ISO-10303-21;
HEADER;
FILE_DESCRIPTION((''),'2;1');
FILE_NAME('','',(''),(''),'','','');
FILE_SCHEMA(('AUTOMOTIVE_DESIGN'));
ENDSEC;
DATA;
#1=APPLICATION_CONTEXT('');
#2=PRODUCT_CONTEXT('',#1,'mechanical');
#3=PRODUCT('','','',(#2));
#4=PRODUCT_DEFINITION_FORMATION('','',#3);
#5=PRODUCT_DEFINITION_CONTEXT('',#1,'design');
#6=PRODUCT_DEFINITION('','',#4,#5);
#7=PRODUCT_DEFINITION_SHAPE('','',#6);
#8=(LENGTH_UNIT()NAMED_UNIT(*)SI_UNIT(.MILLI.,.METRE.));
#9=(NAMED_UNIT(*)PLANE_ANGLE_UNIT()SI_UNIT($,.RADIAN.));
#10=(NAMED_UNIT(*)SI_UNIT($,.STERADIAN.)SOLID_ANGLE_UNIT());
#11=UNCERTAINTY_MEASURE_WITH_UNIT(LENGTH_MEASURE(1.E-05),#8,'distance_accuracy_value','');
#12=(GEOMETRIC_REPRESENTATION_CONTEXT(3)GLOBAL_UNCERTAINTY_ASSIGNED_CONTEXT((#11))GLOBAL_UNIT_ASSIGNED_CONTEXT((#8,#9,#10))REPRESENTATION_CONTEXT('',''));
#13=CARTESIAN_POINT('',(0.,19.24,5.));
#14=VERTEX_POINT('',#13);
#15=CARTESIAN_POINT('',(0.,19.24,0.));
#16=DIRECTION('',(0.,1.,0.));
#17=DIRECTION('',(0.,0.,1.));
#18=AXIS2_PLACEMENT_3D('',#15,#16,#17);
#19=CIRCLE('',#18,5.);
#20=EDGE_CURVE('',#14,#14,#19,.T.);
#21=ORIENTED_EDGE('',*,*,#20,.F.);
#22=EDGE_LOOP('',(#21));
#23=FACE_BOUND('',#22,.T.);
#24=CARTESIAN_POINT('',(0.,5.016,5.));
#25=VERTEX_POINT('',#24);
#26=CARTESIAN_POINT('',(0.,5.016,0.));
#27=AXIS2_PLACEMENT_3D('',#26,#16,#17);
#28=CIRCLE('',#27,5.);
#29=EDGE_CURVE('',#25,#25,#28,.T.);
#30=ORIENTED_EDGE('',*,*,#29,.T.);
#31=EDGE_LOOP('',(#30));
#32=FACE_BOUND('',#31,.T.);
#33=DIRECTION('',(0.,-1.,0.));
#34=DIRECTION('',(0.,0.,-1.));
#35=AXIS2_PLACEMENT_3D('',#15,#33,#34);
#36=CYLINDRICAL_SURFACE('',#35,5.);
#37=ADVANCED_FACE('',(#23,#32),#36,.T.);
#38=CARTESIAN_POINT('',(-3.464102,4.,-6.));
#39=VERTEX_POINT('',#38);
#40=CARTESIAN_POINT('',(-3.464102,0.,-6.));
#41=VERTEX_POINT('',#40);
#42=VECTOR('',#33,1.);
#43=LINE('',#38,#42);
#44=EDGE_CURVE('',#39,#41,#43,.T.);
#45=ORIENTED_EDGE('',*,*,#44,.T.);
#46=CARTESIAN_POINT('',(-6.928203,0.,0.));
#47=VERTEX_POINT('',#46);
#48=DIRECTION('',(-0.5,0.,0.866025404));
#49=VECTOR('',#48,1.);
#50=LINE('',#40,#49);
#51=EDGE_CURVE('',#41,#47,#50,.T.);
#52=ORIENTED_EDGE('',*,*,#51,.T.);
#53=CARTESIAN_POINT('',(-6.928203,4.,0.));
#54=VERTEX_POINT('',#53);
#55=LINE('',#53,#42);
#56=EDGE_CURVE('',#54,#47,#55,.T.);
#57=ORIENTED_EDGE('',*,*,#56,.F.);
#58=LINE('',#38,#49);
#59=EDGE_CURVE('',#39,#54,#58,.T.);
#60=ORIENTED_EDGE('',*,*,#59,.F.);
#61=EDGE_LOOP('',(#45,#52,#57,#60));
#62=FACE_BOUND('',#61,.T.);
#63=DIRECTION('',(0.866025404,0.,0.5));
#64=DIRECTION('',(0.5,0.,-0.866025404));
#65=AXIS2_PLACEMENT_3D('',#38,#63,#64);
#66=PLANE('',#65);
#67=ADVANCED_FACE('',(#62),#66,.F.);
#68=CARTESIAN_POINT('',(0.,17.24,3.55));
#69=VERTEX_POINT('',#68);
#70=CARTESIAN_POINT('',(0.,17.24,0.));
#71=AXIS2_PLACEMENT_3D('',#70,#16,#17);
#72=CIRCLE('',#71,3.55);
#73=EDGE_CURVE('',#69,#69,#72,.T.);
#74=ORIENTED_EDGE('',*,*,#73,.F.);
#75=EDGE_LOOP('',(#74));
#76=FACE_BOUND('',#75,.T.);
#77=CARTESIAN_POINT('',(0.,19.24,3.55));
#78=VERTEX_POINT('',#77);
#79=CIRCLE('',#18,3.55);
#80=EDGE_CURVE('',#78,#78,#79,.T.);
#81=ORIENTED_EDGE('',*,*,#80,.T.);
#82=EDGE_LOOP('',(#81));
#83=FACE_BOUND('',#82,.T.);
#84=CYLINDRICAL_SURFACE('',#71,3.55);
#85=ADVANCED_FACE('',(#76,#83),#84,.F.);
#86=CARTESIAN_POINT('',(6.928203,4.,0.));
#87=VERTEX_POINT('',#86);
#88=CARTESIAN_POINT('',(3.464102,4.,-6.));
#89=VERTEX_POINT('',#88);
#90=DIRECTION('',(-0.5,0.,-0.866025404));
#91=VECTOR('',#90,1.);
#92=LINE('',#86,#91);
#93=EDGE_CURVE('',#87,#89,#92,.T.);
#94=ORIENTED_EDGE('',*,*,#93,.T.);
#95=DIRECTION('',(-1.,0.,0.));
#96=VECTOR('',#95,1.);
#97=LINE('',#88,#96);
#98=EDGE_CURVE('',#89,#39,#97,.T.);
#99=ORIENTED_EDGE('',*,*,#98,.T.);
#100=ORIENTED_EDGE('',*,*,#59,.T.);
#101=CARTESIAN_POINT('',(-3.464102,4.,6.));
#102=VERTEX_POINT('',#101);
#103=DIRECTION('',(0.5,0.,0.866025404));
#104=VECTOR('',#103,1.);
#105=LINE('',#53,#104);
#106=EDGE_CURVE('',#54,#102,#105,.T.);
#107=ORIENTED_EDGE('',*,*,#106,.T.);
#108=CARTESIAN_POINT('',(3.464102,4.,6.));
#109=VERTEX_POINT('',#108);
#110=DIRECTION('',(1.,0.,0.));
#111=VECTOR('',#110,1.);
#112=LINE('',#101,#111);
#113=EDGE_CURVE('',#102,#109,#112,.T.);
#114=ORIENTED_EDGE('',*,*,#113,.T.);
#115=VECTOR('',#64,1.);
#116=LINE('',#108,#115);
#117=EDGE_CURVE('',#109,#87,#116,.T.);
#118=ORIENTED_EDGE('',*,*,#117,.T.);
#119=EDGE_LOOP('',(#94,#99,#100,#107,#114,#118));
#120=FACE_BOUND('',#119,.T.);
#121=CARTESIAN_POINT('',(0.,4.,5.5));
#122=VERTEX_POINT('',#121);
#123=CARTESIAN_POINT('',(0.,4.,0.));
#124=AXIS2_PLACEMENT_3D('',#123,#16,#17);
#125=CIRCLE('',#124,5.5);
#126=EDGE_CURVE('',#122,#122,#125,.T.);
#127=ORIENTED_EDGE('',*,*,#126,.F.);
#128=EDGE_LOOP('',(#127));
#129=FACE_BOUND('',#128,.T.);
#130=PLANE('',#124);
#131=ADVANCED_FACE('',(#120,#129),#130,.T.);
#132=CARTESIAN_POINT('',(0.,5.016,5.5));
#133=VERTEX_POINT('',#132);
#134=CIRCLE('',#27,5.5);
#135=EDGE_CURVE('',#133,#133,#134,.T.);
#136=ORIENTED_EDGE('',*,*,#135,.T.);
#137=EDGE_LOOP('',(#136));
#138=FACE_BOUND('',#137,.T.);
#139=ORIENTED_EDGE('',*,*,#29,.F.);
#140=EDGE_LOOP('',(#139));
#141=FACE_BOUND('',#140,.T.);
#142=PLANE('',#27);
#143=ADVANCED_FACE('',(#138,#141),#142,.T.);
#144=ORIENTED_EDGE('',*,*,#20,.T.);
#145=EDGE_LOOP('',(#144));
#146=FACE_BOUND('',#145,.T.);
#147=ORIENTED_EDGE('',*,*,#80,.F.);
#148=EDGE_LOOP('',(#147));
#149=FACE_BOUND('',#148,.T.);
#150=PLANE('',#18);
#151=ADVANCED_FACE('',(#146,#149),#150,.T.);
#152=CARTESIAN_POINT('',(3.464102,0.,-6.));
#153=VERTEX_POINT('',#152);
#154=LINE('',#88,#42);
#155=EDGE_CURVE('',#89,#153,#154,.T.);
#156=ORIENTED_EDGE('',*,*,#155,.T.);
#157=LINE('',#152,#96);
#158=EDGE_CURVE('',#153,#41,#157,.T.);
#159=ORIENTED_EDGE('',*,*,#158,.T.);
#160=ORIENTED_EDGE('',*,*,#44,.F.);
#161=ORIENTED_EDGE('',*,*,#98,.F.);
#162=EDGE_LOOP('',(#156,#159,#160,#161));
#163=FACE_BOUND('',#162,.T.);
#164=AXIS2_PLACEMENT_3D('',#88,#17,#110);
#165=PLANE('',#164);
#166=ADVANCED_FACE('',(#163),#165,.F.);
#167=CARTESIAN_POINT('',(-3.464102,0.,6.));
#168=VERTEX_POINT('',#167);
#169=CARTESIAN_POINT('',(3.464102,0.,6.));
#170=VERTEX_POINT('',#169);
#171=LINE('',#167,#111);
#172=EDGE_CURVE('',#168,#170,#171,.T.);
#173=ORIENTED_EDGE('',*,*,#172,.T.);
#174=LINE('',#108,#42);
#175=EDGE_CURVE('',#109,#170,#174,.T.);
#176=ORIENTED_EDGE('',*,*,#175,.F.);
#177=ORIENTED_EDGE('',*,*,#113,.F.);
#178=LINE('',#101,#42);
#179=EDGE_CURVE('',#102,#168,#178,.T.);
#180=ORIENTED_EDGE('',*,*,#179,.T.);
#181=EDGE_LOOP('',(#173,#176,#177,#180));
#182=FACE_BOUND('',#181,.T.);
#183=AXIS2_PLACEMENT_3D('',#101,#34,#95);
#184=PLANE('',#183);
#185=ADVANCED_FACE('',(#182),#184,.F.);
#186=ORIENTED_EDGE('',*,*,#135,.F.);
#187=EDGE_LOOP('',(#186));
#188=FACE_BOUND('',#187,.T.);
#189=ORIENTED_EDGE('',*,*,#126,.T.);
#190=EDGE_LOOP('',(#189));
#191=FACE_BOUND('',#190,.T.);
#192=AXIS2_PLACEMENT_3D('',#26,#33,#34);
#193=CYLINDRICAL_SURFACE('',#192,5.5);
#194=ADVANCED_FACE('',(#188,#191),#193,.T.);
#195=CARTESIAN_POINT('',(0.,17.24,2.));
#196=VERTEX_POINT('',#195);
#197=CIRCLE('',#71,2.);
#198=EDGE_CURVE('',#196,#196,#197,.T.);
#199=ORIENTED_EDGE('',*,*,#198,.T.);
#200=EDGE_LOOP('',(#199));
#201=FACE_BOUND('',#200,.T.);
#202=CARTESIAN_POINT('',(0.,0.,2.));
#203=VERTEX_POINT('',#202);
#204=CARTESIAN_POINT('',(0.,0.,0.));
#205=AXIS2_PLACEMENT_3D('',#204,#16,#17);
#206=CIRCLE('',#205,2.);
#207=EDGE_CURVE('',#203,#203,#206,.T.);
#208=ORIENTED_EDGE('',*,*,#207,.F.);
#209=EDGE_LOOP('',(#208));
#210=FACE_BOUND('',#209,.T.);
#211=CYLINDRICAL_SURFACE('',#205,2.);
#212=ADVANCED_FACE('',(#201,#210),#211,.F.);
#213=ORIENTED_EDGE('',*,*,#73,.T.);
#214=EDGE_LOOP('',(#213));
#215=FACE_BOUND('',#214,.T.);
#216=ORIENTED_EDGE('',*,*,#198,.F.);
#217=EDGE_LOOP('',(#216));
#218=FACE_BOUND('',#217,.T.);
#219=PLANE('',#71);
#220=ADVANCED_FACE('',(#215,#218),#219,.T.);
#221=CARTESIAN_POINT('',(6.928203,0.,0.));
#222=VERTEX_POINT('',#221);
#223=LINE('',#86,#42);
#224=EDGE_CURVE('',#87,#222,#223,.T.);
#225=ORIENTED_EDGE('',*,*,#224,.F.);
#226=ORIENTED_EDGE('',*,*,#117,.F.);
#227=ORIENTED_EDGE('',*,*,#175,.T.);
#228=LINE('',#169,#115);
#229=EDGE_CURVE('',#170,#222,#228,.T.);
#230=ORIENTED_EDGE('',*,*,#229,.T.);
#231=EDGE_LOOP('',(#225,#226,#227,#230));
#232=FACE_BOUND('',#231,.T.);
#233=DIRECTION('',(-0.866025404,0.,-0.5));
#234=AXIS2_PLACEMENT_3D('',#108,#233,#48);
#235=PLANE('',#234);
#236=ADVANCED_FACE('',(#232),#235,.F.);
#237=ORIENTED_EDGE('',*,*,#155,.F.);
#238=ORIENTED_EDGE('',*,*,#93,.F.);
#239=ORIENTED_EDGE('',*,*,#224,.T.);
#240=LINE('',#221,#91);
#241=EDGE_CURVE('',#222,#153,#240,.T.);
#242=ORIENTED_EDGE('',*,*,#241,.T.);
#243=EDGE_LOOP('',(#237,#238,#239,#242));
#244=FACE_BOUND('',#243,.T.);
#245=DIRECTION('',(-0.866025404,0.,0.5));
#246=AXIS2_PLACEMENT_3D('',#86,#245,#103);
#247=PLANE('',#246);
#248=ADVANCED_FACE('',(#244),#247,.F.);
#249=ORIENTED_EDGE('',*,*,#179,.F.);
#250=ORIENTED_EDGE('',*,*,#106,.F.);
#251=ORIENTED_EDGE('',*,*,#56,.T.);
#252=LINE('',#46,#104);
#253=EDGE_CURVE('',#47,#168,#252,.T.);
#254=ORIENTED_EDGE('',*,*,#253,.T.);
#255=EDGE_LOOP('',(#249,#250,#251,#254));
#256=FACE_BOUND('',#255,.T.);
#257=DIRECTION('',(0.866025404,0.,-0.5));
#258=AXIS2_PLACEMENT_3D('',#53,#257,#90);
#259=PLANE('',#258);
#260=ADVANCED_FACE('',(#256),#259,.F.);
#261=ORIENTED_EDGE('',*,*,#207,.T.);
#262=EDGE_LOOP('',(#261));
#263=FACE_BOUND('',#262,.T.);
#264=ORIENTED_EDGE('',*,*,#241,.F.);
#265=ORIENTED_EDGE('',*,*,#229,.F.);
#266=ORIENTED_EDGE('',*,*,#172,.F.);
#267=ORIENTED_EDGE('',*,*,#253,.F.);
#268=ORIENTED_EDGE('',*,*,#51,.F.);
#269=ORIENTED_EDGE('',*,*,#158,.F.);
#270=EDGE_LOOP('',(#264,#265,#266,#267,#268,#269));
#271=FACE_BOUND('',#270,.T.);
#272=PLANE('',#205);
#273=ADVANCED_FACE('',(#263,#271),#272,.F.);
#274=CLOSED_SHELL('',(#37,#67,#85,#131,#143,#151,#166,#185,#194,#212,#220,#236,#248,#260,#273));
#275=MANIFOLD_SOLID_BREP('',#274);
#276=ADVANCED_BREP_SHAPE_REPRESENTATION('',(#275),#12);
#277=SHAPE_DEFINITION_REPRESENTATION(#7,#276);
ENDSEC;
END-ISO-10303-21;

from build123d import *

# Parameters (mm, degrees)
BOSS_EXTRUDE1_DEPTH = 4
SKETCH2_R           = 5.500000049
SKETCH2_R_2         = 5.000000033
BOSS_EXTRUDE2_DEPTH = 1.016
SKETCH2_2_R         = 5.000000033
BOSS_EXTRUDE3_DEPTH = 15.24
SKETCH4_R           = 2.000000064
CUT_EXTRUDE2_DEPTH  = 20.24
SKETCH4_3_R         = 3.55
SKETCH4_3_R_2       = 2.000000064
CUT_EXTRUDE3_DEPTH  = 2


with BuildPart() as part:
    # Sketch1 → Boss-Extrude1 (new body)
    with BuildSketch(Plane(origin=(0, 0, 0), x_dir=(1, 0, 0), z_dir=(0, 1, 0))):
        Polygon((3.464101615, 6), (-3.464101615, 6), (-6.92820323, 0), (-3.464101615, -6), (3.464101615, -6), (6.92820323, 0), align=None)
    extrude(amount=BOSS_EXTRUDE1_DEPTH)

    # Sketch2 → Boss-Extrude2 (add)
    with BuildSketch(Plane(origin=(0, 4, 0), x_dir=(1, 0, 0), z_dir=(0, 1, 0))):
        Circle(SKETCH2_R)
        Circle(SKETCH2_R_2, mode=Mode.SUBTRACT)
    extrude(amount=BOSS_EXTRUDE2_DEPTH)

    # Sketch2<2> → Boss-Extrude3 (add)
    with BuildSketch(Plane(origin=(0, 4, 0), x_dir=(1, 0, 0), z_dir=(0, 1, 0))):
        Circle(SKETCH2_2_R)
    extrude(amount=BOSS_EXTRUDE3_DEPTH)

    # Sketch4 → Cut-Extrude2 (cut, through all)
    with BuildSketch(Plane(origin=(0, 19.24, 0), x_dir=(1, 0, 0), z_dir=(0, 1, 0))):
        Circle(SKETCH4_R)
    extrude(amount=-CUT_EXTRUDE2_DEPTH, mode=Mode.SUBTRACT)

    # Sketch4<3> → Cut-Extrude3 (cut)
    with BuildSketch(Plane(origin=(0, 19.24, 0), x_dir=(1, 0, 0), z_dir=(0, 1, 0))):
        Circle(SKETCH4_3_R)
        Circle(SKETCH4_3_R_2, mode=Mode.SUBTRACT)
    extrude(amount=-CUT_EXTRUDE3_DEPTH, mode=Mode.SUBTRACT)


solid = part.part
